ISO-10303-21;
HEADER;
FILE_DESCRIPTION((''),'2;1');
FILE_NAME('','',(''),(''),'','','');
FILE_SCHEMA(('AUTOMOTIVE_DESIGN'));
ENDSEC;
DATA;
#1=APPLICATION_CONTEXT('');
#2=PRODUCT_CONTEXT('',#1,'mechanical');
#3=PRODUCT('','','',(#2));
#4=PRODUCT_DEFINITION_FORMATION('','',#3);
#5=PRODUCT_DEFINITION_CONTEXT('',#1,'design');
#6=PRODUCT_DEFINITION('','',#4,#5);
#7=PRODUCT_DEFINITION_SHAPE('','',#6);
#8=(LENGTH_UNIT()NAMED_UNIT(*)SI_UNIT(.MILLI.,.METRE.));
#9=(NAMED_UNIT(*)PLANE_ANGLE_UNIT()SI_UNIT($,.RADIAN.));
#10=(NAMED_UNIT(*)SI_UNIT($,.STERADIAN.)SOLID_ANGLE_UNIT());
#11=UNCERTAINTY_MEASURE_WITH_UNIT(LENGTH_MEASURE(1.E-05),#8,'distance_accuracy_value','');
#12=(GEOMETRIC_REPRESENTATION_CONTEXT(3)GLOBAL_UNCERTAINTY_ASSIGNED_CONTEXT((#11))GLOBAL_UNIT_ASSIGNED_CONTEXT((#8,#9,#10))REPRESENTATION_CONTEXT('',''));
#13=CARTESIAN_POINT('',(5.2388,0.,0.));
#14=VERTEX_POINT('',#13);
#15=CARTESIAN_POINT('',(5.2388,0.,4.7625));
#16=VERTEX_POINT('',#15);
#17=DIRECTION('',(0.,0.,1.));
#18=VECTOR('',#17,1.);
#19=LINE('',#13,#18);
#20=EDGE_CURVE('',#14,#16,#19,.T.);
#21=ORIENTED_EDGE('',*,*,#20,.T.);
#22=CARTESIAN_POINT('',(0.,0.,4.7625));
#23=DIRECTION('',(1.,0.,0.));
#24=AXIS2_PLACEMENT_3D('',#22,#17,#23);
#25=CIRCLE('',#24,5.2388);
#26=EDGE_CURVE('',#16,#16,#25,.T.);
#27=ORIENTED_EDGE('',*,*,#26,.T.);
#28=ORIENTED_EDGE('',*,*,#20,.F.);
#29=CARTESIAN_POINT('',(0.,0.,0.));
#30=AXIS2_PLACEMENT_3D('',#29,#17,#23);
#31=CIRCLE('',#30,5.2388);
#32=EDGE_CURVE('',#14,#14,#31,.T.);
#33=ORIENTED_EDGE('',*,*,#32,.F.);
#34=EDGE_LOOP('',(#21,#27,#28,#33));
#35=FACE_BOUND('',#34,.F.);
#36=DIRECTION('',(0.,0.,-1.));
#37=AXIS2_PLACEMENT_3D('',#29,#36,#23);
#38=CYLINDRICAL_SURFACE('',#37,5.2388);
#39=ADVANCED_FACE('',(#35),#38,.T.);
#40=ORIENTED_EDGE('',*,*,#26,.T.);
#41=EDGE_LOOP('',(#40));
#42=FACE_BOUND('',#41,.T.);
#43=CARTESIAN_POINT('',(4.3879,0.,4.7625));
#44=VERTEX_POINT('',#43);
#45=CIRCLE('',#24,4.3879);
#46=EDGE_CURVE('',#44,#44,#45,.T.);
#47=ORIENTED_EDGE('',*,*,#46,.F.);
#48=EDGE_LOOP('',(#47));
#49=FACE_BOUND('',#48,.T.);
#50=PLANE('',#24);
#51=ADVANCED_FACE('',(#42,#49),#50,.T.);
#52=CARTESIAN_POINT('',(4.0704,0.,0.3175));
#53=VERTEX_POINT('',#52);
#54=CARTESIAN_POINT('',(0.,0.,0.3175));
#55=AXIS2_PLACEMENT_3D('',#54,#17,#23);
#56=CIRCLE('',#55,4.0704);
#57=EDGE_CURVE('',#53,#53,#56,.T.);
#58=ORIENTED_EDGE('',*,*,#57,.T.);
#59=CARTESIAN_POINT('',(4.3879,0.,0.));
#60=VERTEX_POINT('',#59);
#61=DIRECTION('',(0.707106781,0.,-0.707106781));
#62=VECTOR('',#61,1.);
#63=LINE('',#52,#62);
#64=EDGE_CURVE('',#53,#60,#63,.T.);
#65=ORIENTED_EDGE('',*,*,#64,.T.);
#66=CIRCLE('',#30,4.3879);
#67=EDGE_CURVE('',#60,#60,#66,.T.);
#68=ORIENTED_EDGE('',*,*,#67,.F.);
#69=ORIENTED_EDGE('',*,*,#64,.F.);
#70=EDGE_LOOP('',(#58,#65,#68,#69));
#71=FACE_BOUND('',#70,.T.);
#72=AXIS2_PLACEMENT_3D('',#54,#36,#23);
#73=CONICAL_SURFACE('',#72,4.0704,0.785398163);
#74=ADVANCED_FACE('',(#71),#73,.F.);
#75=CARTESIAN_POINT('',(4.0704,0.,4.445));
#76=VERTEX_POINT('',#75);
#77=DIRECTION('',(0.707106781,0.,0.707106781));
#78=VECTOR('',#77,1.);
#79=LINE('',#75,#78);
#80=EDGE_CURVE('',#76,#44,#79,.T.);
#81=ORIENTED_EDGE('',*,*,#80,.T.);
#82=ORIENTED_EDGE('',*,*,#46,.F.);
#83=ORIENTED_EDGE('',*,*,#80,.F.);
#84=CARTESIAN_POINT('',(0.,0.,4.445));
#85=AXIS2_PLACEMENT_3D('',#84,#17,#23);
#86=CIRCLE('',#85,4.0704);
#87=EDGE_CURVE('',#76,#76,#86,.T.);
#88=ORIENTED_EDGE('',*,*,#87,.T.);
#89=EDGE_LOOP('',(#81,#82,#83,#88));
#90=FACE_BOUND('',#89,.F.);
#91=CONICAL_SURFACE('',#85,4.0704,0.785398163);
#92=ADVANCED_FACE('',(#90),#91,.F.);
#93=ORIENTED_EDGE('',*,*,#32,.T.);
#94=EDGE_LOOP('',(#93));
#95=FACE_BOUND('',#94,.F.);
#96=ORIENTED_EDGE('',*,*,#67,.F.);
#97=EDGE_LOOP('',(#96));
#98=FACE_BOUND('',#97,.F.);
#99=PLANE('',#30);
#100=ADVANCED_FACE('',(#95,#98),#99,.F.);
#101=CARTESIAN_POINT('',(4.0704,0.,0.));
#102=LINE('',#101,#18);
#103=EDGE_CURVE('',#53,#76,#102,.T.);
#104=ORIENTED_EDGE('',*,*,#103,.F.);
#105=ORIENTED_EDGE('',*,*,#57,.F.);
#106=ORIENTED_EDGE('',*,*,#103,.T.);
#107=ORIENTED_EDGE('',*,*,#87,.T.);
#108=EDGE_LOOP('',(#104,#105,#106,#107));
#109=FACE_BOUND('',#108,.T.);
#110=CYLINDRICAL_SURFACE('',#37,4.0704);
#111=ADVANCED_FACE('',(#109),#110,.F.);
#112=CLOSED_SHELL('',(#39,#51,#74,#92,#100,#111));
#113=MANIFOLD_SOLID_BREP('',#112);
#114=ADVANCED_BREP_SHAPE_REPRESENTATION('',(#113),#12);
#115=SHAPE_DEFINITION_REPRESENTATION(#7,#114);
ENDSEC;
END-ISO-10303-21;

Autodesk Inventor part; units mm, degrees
ref_plane "YZ Plane" through (0, 0, 0) normal (1, 0, 0) x (0, 1, 0)
ref_plane "XZ Plane" through (0, 0, 0) normal (0, 1, 0) x (-1, 0, 0)
ref_plane "XY Plane" through (0, 0, 0) normal (0, 0, 1) x (1, 0, 0)
sketch "Sketch1" plane through (0, 0, 0) normal (0, 0, 1) x (1, 0, 0)
  circle A0 centre (0, 0) radius 4.0704
  circle A1 centre (0, 0) radius 5.2388
  dimension "d0" = 8.1407
  dimension "d1" = 1.1684
extrude "Extrusion1" add sketch "Sketch1" along normal blind 4.7625
chamfer "Chamfer1" distance 0.3175 angle 45 2 edges at (-4.0704, 0, 4.7625) (-4.0704, 0, 0)
properties part number "Axel Buffer" material "Stainless Steel"
